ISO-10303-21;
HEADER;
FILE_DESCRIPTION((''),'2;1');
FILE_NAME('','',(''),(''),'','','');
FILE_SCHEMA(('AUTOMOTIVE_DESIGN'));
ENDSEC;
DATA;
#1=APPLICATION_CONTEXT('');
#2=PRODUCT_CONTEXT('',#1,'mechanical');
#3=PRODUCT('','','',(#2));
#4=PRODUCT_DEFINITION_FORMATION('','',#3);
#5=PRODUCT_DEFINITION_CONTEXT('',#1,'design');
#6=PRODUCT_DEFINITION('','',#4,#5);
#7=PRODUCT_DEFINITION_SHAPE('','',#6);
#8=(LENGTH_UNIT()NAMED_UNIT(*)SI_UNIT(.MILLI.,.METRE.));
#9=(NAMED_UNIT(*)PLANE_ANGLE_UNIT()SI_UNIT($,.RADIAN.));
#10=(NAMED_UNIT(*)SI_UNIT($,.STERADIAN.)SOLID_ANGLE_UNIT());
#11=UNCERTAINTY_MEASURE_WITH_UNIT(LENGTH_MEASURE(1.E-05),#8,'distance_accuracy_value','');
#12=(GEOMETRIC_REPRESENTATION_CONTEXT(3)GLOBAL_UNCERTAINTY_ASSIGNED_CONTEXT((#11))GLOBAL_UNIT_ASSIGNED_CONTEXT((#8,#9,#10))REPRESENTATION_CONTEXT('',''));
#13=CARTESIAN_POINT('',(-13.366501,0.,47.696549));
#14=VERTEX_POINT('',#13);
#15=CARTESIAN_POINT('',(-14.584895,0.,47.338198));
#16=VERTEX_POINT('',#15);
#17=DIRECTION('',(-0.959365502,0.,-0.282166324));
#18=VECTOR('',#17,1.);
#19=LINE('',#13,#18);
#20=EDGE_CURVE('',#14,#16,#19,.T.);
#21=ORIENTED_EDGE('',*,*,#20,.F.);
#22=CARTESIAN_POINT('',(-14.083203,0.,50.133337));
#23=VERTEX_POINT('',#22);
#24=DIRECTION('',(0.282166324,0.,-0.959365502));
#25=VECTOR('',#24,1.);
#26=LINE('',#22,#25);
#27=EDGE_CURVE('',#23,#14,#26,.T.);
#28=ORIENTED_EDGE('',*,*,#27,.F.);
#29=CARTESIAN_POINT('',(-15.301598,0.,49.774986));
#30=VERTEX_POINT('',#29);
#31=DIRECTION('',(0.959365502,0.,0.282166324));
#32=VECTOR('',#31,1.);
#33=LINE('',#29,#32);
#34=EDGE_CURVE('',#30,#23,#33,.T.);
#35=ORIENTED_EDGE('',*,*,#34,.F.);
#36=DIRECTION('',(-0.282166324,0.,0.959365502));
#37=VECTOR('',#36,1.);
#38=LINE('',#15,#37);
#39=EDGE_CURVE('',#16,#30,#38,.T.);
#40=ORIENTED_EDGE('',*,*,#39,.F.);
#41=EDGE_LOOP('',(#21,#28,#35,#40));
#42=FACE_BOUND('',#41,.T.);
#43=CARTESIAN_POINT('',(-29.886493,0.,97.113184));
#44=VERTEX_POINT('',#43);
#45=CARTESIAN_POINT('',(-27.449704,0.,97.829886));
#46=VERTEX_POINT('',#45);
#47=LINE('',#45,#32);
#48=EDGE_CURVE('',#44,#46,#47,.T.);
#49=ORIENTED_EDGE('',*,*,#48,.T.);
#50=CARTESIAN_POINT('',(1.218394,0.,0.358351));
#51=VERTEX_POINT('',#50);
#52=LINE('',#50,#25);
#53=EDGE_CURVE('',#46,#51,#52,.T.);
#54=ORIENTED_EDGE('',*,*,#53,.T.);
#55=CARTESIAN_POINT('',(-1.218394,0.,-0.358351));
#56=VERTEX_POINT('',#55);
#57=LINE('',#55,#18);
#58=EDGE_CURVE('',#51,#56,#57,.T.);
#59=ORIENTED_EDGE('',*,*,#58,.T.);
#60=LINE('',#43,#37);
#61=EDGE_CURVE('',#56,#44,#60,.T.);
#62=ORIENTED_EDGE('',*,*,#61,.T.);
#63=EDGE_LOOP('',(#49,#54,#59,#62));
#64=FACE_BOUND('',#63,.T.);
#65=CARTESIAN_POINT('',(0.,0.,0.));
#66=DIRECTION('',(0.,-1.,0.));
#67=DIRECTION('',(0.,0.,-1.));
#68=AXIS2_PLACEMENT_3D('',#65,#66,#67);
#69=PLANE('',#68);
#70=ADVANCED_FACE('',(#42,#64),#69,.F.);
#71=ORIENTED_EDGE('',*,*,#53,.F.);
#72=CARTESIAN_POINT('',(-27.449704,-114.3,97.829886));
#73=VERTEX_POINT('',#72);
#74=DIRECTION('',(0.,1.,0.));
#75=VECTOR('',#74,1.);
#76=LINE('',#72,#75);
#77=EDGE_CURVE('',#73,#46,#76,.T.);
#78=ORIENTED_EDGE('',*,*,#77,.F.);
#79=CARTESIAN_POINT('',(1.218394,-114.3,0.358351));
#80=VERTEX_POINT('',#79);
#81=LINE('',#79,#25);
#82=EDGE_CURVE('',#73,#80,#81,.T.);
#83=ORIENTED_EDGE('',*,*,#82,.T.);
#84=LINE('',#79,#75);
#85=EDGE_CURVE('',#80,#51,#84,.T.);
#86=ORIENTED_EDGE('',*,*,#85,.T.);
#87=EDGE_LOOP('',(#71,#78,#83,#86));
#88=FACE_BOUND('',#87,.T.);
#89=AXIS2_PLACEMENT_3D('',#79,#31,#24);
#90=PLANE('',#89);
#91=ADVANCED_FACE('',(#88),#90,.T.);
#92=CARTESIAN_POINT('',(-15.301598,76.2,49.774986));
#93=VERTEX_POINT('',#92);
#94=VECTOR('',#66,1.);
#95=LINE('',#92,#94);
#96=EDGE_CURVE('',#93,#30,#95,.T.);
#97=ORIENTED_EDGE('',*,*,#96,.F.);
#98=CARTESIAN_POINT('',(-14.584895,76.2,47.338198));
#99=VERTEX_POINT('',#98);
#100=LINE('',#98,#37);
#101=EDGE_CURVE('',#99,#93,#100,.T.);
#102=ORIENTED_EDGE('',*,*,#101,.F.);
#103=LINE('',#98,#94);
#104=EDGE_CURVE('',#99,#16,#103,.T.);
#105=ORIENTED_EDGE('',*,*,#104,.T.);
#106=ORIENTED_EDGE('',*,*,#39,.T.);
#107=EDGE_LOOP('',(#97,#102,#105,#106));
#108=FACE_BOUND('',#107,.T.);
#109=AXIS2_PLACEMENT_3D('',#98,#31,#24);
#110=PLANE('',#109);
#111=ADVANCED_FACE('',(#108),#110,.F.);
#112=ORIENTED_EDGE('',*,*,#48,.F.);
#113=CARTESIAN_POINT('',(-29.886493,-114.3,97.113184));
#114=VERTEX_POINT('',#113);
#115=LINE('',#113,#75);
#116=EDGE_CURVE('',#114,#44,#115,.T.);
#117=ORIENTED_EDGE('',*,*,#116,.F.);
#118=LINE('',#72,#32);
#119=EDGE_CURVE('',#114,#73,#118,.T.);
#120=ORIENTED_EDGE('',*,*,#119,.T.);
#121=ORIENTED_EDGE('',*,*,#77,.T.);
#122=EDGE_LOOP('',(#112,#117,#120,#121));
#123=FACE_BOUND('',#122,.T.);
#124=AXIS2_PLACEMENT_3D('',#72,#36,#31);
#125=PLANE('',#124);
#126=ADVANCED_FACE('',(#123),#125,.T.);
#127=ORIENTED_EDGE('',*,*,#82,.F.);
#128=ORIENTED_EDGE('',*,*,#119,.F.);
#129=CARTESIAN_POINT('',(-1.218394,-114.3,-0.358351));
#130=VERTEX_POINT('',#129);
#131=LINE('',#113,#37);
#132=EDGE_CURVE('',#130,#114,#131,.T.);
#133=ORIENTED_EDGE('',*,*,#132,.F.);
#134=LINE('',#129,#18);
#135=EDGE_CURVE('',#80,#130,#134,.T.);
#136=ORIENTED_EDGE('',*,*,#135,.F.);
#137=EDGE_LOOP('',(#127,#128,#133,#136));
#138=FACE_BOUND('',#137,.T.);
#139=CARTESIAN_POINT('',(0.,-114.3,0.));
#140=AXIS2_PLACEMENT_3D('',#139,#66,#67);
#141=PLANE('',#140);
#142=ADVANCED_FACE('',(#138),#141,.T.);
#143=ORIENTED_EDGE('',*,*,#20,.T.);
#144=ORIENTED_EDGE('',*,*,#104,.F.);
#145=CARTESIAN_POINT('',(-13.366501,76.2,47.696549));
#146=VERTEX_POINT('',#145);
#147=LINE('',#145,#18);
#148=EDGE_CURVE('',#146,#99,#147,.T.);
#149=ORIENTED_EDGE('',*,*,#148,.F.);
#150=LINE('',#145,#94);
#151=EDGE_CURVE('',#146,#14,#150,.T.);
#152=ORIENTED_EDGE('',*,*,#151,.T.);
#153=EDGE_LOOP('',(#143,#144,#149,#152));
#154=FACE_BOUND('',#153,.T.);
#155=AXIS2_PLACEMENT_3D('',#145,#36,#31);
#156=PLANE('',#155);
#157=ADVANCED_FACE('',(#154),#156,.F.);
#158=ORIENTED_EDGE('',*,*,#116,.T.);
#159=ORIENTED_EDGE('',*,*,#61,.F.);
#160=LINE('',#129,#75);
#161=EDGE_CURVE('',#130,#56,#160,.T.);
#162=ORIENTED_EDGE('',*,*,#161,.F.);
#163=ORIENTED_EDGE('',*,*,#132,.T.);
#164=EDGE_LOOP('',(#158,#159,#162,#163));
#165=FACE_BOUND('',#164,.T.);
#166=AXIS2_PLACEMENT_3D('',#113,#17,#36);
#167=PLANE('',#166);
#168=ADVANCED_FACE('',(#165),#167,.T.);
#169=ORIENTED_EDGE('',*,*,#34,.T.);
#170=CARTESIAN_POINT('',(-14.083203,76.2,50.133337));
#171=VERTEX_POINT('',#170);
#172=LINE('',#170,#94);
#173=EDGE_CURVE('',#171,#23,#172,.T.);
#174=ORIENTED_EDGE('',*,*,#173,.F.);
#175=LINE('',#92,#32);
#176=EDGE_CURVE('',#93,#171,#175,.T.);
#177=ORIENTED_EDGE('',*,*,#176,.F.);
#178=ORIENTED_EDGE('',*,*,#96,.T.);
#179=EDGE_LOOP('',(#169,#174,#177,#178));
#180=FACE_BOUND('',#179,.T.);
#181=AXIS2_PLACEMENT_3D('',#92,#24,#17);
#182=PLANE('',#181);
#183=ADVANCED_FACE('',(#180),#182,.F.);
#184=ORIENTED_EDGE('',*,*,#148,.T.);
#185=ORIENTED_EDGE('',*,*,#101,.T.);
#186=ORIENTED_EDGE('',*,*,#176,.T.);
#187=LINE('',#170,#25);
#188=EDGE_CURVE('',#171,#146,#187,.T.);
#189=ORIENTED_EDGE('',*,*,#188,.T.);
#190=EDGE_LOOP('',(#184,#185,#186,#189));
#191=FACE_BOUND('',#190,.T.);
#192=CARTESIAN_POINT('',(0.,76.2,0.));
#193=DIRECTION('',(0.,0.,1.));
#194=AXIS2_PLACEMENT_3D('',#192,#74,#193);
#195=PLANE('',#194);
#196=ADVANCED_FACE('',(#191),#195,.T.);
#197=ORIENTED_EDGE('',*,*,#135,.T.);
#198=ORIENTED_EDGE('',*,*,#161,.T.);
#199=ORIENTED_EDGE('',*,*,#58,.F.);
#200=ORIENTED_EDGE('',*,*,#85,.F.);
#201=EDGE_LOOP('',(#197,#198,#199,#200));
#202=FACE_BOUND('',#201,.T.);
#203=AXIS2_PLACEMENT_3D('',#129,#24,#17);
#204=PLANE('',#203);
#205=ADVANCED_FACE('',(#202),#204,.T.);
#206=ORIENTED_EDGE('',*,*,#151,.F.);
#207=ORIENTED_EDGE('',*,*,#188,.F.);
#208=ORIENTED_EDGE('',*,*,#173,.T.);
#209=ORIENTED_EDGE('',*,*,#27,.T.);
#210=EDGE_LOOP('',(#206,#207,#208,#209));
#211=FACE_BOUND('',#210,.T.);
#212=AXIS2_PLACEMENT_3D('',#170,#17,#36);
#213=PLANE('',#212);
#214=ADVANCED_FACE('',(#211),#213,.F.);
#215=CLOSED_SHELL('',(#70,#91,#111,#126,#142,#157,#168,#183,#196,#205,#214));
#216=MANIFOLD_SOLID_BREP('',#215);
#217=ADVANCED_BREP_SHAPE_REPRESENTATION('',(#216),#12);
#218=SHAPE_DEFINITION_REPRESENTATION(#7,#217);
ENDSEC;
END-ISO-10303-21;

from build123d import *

# Parameters (mm, degrees)
BOSS_EXTRUDE1_DEPTH = 114.3
BOSS_EXTRUDE2_DEPTH = 76.2


with BuildPart() as part:
    # Sketch1 → Boss-Extrude1 (new body)
    with BuildSketch(Plane(origin=(0, 0, 0), x_dir=(1, 0, 0), z_dir=(0, 1, 0))):
        Polygon((-1.218394187, 0.358351231), (1.218394187, -0.358351231), (-27.449704331, -97.829886191), (-29.886492705, -97.113183728), align=None)
    extrude(amount=-BOSS_EXTRUDE1_DEPTH)

    # Sketch2 → Boss-Extrude2 (add)
    with BuildSketch(Plane(origin=(0, 0, 0), x_dir=(1, 0, 0), z_dir=(0, 1, 0))):
        Polygon((-14.584895121, -47.338197677), (-15.301597584, -49.774986051), (-14.083203397, -50.133337283), (-13.366500934, -47.696548909), align=None)
    extrude(amount=BOSS_EXTRUDE2_DEPTH)


solid = part.part
